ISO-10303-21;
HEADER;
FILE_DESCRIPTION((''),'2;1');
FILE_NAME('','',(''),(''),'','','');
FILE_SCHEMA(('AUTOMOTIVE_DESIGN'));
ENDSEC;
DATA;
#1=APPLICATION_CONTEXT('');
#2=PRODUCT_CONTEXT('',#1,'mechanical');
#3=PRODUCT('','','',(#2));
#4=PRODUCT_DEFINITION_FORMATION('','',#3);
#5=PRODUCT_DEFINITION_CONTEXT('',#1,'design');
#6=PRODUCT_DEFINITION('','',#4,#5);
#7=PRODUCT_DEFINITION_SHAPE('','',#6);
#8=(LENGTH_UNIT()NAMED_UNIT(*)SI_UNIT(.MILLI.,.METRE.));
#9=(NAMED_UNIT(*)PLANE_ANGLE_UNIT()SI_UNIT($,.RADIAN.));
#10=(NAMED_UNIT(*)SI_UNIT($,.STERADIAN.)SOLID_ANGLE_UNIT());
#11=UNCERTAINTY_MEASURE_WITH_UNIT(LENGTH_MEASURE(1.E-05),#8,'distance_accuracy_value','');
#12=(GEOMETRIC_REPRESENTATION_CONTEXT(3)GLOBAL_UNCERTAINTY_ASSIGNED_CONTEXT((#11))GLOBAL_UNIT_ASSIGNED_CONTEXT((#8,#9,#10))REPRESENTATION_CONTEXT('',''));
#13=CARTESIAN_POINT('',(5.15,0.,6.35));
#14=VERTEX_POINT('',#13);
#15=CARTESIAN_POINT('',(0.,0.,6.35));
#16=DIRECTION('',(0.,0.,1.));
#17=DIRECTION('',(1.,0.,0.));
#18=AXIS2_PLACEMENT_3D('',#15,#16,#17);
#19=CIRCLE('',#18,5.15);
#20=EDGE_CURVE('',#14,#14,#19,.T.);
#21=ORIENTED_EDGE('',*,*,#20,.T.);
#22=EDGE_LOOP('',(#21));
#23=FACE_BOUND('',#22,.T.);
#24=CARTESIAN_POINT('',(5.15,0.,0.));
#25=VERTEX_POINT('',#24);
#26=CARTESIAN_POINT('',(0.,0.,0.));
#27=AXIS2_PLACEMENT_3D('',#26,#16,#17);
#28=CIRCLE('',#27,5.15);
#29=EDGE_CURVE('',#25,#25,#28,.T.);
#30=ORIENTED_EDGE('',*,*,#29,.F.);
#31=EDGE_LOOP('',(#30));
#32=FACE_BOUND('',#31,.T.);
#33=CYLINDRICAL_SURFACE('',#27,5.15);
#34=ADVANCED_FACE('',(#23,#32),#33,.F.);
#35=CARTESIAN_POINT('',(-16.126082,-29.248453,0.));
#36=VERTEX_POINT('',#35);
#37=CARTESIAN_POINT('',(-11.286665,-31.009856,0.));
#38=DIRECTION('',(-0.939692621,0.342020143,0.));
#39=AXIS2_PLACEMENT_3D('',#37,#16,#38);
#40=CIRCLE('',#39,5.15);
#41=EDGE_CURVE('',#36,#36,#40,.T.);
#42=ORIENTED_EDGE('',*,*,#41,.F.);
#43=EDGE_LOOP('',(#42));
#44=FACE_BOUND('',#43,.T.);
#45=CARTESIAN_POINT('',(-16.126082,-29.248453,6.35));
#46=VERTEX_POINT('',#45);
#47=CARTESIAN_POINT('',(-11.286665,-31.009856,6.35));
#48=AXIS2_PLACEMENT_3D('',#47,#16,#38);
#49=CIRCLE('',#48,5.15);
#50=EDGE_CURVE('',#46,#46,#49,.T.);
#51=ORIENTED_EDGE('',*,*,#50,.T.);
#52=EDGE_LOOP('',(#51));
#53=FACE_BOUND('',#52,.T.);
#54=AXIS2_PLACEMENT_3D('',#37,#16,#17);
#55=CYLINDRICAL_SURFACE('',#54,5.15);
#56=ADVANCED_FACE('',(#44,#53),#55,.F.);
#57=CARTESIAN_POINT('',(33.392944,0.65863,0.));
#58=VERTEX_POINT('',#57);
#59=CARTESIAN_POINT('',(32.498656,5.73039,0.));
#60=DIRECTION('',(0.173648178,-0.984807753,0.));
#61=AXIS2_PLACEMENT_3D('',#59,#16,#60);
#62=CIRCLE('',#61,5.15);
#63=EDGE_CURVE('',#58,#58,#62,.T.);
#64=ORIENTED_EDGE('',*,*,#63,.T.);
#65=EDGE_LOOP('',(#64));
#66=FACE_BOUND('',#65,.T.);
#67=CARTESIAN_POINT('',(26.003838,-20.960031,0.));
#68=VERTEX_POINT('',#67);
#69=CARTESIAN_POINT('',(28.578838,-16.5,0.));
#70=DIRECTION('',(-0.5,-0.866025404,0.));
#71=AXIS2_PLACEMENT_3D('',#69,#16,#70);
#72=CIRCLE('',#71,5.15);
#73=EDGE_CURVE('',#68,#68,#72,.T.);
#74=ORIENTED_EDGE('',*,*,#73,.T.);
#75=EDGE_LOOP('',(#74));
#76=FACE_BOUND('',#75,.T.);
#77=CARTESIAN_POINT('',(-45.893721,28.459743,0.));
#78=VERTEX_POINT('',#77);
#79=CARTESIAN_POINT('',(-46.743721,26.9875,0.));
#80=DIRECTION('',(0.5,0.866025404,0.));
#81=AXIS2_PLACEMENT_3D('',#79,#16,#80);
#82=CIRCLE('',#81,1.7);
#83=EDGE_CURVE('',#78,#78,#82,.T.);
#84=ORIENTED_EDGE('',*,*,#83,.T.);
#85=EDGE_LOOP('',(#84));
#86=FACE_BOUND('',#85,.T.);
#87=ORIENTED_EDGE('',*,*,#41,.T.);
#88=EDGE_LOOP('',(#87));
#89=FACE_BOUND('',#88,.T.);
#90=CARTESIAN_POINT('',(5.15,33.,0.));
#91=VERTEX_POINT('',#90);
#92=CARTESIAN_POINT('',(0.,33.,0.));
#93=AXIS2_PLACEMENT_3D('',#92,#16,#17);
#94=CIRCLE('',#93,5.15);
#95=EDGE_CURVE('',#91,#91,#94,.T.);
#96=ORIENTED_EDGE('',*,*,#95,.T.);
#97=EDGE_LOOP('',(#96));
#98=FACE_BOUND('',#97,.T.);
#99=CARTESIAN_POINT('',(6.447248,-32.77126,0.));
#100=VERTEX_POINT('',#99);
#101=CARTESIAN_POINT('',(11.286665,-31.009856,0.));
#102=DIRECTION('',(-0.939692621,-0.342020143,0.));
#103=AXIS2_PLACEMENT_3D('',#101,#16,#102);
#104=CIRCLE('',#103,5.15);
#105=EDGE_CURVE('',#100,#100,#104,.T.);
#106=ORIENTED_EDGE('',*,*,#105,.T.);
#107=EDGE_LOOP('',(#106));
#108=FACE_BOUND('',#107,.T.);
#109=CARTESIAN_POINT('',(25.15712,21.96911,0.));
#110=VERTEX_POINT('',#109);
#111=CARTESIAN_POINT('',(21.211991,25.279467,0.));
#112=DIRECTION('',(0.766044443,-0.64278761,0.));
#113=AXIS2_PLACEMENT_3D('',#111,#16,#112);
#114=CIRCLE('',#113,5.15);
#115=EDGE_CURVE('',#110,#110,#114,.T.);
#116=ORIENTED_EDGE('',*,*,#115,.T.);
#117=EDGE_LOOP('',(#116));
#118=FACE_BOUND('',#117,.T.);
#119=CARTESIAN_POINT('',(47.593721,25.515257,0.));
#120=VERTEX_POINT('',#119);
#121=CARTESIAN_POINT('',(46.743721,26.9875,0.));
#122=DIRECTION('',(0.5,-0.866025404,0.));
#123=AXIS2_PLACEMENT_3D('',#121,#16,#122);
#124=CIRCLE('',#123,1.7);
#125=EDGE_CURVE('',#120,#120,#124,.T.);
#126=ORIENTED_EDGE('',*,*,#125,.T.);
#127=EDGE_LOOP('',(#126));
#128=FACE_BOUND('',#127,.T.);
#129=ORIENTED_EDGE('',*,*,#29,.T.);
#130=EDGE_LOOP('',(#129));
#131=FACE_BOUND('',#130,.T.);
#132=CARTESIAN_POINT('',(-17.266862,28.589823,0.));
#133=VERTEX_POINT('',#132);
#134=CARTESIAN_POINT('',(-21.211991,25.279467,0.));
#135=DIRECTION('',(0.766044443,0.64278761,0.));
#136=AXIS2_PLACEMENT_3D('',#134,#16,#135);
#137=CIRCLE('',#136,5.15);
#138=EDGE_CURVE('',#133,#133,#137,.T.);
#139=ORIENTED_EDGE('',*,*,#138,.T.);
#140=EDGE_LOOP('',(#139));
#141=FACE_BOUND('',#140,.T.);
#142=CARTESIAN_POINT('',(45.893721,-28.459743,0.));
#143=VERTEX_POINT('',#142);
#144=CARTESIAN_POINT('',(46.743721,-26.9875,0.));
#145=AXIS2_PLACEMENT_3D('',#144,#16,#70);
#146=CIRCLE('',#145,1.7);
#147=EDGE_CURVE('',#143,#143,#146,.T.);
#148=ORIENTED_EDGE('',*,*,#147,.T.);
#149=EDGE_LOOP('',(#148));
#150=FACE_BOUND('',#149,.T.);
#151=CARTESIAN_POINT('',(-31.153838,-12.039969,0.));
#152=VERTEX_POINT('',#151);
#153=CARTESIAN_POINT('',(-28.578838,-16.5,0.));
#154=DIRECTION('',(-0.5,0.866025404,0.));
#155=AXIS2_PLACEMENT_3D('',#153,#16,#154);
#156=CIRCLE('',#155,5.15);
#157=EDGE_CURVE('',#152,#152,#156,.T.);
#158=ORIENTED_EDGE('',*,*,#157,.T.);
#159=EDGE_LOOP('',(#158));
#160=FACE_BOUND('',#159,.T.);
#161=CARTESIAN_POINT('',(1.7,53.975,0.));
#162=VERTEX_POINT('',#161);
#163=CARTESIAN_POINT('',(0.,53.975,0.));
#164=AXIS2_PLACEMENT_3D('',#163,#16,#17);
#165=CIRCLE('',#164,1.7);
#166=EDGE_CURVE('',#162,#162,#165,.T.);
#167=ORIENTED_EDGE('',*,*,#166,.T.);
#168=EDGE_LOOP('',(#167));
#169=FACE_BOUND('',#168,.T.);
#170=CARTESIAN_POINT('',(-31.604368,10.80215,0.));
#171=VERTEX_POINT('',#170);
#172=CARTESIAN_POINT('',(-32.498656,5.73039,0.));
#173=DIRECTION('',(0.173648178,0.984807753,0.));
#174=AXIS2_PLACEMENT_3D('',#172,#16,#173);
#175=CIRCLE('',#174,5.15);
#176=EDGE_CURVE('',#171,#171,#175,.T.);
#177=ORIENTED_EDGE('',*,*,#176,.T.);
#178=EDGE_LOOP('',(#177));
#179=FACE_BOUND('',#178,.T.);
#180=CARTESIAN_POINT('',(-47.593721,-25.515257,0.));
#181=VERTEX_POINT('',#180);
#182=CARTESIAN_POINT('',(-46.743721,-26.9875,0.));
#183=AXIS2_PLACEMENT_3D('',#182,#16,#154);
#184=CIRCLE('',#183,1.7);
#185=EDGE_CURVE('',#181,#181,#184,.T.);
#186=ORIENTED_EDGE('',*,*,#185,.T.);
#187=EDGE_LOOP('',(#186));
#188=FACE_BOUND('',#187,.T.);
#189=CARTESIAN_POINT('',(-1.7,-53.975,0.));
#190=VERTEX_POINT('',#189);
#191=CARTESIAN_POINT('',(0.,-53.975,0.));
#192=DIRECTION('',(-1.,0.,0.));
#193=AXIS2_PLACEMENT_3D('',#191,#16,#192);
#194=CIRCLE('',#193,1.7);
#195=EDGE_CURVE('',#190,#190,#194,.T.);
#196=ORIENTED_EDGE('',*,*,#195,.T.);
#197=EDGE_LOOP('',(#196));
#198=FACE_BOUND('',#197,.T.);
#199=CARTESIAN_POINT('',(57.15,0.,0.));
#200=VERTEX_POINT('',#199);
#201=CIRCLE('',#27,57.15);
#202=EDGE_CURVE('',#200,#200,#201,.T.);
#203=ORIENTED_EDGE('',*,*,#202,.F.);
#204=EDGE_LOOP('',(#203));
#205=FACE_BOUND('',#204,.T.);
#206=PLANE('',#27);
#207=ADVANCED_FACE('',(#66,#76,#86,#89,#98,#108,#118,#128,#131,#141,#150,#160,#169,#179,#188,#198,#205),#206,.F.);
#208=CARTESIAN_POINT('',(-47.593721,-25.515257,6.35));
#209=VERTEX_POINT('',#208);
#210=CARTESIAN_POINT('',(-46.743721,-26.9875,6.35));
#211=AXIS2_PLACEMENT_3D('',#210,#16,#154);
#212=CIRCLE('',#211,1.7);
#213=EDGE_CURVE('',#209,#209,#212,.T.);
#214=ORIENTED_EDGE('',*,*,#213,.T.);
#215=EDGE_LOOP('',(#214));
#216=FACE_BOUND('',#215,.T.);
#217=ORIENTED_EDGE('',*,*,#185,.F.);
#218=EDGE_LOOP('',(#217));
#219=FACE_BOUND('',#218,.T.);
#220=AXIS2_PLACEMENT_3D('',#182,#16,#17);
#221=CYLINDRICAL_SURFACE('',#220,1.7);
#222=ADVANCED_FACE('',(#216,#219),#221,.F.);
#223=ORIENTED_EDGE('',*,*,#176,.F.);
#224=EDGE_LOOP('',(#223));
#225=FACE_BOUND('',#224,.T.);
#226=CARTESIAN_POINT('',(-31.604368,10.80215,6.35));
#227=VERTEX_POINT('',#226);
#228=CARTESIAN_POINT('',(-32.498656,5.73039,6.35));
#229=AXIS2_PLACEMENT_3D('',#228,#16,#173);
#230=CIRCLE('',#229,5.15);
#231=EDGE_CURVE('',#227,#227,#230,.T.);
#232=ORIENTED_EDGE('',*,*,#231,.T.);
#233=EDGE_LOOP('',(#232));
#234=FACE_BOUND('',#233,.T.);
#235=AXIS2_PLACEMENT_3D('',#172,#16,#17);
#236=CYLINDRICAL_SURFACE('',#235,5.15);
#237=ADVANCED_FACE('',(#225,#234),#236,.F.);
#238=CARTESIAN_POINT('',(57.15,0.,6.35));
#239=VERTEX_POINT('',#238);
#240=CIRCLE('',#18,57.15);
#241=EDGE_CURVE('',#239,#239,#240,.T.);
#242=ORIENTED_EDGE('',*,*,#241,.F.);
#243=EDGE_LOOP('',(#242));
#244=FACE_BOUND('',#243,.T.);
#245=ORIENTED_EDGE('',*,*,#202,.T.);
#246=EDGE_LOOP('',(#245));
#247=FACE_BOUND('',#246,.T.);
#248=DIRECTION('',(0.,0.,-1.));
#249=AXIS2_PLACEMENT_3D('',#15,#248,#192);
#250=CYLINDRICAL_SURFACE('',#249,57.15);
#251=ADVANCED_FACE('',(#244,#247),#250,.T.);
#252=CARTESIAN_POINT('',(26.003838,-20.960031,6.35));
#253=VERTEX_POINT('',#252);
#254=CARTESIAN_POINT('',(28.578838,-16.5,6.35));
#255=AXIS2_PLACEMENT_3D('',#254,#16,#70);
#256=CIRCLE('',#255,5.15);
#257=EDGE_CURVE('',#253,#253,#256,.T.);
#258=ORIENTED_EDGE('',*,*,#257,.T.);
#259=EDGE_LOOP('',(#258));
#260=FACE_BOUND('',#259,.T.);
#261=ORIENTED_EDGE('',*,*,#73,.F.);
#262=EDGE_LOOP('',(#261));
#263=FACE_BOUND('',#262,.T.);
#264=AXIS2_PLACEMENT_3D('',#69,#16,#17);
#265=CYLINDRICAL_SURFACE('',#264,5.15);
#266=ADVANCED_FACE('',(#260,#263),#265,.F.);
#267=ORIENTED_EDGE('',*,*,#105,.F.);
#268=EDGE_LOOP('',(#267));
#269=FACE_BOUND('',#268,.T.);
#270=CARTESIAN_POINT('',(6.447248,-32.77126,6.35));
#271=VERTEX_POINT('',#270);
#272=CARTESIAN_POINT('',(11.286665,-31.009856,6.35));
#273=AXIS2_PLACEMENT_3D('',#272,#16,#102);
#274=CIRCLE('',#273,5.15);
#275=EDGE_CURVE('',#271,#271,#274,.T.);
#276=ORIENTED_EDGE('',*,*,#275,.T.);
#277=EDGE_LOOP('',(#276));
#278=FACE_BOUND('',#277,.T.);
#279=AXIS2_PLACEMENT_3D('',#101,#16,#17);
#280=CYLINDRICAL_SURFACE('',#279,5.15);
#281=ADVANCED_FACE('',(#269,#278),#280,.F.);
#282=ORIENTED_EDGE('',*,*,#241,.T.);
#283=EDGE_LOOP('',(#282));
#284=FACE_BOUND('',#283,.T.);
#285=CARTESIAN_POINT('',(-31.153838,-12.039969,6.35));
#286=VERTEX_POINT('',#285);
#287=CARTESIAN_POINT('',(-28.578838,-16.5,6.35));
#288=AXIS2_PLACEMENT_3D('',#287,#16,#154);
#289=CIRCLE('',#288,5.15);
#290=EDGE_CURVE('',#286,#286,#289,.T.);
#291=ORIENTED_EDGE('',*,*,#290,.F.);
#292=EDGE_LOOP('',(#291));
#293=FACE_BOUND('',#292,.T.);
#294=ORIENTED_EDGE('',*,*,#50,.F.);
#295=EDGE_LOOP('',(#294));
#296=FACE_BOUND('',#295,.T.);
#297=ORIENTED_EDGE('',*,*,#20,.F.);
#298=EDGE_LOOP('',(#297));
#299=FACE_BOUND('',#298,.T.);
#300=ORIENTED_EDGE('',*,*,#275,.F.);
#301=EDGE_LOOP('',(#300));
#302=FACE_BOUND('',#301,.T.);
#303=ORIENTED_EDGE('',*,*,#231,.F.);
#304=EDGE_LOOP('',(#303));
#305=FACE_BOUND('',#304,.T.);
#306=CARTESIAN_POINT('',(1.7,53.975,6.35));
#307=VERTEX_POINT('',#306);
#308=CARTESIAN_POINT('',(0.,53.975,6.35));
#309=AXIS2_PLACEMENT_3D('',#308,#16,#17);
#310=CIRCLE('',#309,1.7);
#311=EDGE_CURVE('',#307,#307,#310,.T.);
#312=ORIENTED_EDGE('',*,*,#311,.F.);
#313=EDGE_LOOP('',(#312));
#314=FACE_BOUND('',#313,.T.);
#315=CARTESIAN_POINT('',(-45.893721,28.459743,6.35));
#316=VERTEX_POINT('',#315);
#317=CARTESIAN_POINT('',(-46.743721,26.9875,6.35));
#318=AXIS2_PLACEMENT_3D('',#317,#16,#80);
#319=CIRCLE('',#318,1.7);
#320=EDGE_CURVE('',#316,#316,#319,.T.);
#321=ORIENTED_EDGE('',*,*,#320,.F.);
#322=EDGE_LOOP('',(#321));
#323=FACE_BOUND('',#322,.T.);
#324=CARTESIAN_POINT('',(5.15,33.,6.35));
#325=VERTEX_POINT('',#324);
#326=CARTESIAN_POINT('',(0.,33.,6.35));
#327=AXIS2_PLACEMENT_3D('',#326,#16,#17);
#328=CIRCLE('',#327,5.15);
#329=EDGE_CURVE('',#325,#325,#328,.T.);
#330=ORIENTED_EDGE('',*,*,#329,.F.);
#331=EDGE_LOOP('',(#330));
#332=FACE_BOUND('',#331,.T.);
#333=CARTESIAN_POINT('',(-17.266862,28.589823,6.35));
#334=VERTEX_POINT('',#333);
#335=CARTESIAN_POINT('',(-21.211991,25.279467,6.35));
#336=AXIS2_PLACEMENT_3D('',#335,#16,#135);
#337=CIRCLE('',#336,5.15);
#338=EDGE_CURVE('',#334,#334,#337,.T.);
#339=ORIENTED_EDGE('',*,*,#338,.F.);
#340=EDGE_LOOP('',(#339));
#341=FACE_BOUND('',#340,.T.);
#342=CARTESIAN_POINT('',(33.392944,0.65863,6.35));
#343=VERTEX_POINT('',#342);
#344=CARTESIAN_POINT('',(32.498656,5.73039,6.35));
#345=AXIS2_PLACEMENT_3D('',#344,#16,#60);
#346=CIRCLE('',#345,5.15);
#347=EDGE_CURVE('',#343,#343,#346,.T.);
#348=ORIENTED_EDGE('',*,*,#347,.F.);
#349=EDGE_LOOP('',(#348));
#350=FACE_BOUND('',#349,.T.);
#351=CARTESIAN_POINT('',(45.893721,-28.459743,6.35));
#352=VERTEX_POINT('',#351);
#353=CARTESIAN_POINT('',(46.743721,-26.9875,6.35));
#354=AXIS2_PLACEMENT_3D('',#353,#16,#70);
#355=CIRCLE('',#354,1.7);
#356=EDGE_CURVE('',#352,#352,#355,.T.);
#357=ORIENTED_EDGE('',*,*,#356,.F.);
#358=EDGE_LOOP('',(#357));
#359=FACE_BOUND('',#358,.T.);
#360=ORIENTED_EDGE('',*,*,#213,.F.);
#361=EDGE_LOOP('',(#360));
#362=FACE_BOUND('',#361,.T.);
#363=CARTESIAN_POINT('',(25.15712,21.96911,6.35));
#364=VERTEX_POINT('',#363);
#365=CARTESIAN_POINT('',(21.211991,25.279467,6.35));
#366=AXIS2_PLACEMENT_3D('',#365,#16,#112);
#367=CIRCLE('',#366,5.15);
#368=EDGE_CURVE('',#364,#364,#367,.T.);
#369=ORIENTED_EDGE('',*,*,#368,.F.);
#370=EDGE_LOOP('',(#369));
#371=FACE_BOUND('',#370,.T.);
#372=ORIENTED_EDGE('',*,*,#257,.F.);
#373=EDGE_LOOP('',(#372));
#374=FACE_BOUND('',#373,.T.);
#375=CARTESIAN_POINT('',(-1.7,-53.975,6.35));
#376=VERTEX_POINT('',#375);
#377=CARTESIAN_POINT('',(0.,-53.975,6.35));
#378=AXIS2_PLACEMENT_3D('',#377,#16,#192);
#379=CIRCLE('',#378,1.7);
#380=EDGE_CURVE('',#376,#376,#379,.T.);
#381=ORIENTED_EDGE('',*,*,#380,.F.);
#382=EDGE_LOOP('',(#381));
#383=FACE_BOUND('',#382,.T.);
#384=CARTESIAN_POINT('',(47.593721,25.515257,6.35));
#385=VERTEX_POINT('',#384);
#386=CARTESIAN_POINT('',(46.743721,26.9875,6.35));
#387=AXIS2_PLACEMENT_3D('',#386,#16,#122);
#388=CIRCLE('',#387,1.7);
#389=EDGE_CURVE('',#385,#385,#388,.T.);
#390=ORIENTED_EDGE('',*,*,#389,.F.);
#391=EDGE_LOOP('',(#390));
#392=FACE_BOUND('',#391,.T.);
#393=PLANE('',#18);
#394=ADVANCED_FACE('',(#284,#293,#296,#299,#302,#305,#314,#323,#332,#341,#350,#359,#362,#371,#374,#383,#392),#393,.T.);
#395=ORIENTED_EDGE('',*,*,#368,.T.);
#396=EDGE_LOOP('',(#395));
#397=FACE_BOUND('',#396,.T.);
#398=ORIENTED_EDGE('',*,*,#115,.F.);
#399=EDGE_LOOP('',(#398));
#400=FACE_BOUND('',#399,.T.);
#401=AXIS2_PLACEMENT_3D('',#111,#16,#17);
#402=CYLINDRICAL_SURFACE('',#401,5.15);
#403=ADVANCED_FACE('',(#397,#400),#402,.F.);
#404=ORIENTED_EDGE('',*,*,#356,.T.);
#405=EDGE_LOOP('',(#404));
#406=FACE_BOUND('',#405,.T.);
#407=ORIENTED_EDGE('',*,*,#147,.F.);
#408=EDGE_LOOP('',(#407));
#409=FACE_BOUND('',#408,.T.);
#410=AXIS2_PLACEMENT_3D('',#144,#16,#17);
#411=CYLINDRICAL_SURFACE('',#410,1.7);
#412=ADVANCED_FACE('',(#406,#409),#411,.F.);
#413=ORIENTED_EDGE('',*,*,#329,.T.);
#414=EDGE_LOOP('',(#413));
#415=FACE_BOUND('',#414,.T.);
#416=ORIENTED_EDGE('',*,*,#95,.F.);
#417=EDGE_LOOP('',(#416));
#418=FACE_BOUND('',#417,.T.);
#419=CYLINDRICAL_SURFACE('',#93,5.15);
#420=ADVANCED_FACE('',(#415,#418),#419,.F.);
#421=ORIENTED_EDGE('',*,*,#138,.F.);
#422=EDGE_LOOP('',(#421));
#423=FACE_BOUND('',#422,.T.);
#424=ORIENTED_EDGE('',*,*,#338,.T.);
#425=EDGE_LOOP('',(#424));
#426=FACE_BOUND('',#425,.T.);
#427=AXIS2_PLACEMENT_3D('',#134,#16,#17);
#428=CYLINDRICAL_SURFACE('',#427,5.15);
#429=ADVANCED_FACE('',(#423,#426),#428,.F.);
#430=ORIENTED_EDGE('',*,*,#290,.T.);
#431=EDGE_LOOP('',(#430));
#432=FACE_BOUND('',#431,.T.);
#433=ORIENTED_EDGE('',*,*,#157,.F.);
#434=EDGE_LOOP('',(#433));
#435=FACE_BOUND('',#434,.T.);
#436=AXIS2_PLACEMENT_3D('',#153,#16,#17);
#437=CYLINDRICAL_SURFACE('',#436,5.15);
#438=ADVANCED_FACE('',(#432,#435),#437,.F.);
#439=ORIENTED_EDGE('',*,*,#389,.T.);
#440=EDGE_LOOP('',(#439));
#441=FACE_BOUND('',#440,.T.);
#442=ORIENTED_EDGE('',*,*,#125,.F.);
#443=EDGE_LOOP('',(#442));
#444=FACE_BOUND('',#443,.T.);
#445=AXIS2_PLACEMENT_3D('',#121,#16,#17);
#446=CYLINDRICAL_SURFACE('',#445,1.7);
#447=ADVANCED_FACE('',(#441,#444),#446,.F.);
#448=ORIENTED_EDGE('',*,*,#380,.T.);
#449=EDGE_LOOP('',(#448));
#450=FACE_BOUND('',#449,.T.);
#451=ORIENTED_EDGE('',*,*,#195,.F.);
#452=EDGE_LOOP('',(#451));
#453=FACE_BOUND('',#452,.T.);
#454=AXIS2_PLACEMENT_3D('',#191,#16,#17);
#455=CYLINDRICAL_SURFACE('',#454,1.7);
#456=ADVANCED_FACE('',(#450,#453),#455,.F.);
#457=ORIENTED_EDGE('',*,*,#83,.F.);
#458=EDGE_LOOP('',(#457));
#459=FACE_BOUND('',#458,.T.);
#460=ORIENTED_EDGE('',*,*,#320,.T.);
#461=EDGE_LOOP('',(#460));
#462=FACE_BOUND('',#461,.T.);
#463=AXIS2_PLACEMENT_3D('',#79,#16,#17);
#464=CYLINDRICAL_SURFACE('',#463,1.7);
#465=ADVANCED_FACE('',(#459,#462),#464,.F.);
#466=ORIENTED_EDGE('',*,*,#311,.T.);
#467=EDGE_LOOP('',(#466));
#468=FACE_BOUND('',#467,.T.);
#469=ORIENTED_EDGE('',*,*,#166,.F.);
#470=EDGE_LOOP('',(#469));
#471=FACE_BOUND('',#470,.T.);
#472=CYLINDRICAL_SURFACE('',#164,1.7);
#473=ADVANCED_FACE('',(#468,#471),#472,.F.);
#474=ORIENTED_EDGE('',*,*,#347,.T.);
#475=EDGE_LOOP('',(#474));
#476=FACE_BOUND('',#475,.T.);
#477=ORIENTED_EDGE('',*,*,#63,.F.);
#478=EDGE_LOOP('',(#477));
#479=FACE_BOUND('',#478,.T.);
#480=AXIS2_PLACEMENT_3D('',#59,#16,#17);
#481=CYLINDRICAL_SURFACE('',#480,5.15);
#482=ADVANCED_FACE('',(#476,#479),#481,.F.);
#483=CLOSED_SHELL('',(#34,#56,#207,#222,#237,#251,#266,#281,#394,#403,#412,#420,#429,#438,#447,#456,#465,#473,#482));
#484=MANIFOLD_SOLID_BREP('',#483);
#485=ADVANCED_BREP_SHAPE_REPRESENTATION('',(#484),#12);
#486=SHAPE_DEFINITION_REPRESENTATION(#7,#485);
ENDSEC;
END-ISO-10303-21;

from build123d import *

# Parameters (mm, degrees)
SKETCH2_R           = 57.15
BOSS_EXTRUDE1_DEPTH = 6.35
SKETCH3_R           = 5.15
CUT_EXTRUDE1_DEPTH  = 7.35
CIRPATTERN1_COUNT   = 9
SKETCH6_R           = 1.7
CUT_EXTRUDE4_DEPTH  = 7.35
CIRPATTERN3_COUNT   = 6
SKETCH7_R           = 5.15
CUT_EXTRUDE5_DEPTH  = 7.35


with BuildPart() as part:
    # Sketch2 → Boss-Extrude1 (new body)
    with BuildSketch(Plane.XY):
        Circle(SKETCH2_R)
    extrude(amount=BOSS_EXTRUDE1_DEPTH)

    # Sketch3 → Cut-Extrude1 (cut, through all)
    with BuildSketch(Plane.XY.offset(6.35)):
        with Locations((0, 33)):
            Circle(SKETCH3_R)
    cut_extrude1 = extrude(amount=-CUT_EXTRUDE1_DEPTH, mode=Mode.SUBTRACT)

    # CirPattern1: Cut-Extrude1 ×9 about axis
    cirpattern1_axis = Axis((0, 0, 0), (0, 0, 1))
    for i in range(1, CIRPATTERN1_COUNT):
        add(cut_extrude1.rotate(cirpattern1_axis, i * 360 / CIRPATTERN1_COUNT), mode=Mode.SUBTRACT)

    # Sketch6 → Cut-Extrude4 (cut, through all)
    with BuildSketch(Plane.XY.offset(6.35)):
        with Locations((0, 53.975)):
            Circle(SKETCH6_R)
    cut_extrude4 = extrude(amount=-CUT_EXTRUDE4_DEPTH, mode=Mode.SUBTRACT)

    # CirPattern3: Cut-Extrude4 ×6 about axis
    cirpattern3_axis = Axis((0, 0, 0), (0, 0, 1))
    for i in range(1, CIRPATTERN3_COUNT):
        add(cut_extrude4.rotate(cirpattern3_axis, i * 360 / CIRPATTERN3_COUNT), mode=Mode.SUBTRACT)

    # Sketch7 → Cut-Extrude5 (cut, through all)
    with BuildSketch(Plane.XY.offset(6.35)):
        Circle(SKETCH7_R)
    extrude(amount=-CUT_EXTRUDE5_DEPTH, mode=Mode.SUBTRACT)


solid = part.part
